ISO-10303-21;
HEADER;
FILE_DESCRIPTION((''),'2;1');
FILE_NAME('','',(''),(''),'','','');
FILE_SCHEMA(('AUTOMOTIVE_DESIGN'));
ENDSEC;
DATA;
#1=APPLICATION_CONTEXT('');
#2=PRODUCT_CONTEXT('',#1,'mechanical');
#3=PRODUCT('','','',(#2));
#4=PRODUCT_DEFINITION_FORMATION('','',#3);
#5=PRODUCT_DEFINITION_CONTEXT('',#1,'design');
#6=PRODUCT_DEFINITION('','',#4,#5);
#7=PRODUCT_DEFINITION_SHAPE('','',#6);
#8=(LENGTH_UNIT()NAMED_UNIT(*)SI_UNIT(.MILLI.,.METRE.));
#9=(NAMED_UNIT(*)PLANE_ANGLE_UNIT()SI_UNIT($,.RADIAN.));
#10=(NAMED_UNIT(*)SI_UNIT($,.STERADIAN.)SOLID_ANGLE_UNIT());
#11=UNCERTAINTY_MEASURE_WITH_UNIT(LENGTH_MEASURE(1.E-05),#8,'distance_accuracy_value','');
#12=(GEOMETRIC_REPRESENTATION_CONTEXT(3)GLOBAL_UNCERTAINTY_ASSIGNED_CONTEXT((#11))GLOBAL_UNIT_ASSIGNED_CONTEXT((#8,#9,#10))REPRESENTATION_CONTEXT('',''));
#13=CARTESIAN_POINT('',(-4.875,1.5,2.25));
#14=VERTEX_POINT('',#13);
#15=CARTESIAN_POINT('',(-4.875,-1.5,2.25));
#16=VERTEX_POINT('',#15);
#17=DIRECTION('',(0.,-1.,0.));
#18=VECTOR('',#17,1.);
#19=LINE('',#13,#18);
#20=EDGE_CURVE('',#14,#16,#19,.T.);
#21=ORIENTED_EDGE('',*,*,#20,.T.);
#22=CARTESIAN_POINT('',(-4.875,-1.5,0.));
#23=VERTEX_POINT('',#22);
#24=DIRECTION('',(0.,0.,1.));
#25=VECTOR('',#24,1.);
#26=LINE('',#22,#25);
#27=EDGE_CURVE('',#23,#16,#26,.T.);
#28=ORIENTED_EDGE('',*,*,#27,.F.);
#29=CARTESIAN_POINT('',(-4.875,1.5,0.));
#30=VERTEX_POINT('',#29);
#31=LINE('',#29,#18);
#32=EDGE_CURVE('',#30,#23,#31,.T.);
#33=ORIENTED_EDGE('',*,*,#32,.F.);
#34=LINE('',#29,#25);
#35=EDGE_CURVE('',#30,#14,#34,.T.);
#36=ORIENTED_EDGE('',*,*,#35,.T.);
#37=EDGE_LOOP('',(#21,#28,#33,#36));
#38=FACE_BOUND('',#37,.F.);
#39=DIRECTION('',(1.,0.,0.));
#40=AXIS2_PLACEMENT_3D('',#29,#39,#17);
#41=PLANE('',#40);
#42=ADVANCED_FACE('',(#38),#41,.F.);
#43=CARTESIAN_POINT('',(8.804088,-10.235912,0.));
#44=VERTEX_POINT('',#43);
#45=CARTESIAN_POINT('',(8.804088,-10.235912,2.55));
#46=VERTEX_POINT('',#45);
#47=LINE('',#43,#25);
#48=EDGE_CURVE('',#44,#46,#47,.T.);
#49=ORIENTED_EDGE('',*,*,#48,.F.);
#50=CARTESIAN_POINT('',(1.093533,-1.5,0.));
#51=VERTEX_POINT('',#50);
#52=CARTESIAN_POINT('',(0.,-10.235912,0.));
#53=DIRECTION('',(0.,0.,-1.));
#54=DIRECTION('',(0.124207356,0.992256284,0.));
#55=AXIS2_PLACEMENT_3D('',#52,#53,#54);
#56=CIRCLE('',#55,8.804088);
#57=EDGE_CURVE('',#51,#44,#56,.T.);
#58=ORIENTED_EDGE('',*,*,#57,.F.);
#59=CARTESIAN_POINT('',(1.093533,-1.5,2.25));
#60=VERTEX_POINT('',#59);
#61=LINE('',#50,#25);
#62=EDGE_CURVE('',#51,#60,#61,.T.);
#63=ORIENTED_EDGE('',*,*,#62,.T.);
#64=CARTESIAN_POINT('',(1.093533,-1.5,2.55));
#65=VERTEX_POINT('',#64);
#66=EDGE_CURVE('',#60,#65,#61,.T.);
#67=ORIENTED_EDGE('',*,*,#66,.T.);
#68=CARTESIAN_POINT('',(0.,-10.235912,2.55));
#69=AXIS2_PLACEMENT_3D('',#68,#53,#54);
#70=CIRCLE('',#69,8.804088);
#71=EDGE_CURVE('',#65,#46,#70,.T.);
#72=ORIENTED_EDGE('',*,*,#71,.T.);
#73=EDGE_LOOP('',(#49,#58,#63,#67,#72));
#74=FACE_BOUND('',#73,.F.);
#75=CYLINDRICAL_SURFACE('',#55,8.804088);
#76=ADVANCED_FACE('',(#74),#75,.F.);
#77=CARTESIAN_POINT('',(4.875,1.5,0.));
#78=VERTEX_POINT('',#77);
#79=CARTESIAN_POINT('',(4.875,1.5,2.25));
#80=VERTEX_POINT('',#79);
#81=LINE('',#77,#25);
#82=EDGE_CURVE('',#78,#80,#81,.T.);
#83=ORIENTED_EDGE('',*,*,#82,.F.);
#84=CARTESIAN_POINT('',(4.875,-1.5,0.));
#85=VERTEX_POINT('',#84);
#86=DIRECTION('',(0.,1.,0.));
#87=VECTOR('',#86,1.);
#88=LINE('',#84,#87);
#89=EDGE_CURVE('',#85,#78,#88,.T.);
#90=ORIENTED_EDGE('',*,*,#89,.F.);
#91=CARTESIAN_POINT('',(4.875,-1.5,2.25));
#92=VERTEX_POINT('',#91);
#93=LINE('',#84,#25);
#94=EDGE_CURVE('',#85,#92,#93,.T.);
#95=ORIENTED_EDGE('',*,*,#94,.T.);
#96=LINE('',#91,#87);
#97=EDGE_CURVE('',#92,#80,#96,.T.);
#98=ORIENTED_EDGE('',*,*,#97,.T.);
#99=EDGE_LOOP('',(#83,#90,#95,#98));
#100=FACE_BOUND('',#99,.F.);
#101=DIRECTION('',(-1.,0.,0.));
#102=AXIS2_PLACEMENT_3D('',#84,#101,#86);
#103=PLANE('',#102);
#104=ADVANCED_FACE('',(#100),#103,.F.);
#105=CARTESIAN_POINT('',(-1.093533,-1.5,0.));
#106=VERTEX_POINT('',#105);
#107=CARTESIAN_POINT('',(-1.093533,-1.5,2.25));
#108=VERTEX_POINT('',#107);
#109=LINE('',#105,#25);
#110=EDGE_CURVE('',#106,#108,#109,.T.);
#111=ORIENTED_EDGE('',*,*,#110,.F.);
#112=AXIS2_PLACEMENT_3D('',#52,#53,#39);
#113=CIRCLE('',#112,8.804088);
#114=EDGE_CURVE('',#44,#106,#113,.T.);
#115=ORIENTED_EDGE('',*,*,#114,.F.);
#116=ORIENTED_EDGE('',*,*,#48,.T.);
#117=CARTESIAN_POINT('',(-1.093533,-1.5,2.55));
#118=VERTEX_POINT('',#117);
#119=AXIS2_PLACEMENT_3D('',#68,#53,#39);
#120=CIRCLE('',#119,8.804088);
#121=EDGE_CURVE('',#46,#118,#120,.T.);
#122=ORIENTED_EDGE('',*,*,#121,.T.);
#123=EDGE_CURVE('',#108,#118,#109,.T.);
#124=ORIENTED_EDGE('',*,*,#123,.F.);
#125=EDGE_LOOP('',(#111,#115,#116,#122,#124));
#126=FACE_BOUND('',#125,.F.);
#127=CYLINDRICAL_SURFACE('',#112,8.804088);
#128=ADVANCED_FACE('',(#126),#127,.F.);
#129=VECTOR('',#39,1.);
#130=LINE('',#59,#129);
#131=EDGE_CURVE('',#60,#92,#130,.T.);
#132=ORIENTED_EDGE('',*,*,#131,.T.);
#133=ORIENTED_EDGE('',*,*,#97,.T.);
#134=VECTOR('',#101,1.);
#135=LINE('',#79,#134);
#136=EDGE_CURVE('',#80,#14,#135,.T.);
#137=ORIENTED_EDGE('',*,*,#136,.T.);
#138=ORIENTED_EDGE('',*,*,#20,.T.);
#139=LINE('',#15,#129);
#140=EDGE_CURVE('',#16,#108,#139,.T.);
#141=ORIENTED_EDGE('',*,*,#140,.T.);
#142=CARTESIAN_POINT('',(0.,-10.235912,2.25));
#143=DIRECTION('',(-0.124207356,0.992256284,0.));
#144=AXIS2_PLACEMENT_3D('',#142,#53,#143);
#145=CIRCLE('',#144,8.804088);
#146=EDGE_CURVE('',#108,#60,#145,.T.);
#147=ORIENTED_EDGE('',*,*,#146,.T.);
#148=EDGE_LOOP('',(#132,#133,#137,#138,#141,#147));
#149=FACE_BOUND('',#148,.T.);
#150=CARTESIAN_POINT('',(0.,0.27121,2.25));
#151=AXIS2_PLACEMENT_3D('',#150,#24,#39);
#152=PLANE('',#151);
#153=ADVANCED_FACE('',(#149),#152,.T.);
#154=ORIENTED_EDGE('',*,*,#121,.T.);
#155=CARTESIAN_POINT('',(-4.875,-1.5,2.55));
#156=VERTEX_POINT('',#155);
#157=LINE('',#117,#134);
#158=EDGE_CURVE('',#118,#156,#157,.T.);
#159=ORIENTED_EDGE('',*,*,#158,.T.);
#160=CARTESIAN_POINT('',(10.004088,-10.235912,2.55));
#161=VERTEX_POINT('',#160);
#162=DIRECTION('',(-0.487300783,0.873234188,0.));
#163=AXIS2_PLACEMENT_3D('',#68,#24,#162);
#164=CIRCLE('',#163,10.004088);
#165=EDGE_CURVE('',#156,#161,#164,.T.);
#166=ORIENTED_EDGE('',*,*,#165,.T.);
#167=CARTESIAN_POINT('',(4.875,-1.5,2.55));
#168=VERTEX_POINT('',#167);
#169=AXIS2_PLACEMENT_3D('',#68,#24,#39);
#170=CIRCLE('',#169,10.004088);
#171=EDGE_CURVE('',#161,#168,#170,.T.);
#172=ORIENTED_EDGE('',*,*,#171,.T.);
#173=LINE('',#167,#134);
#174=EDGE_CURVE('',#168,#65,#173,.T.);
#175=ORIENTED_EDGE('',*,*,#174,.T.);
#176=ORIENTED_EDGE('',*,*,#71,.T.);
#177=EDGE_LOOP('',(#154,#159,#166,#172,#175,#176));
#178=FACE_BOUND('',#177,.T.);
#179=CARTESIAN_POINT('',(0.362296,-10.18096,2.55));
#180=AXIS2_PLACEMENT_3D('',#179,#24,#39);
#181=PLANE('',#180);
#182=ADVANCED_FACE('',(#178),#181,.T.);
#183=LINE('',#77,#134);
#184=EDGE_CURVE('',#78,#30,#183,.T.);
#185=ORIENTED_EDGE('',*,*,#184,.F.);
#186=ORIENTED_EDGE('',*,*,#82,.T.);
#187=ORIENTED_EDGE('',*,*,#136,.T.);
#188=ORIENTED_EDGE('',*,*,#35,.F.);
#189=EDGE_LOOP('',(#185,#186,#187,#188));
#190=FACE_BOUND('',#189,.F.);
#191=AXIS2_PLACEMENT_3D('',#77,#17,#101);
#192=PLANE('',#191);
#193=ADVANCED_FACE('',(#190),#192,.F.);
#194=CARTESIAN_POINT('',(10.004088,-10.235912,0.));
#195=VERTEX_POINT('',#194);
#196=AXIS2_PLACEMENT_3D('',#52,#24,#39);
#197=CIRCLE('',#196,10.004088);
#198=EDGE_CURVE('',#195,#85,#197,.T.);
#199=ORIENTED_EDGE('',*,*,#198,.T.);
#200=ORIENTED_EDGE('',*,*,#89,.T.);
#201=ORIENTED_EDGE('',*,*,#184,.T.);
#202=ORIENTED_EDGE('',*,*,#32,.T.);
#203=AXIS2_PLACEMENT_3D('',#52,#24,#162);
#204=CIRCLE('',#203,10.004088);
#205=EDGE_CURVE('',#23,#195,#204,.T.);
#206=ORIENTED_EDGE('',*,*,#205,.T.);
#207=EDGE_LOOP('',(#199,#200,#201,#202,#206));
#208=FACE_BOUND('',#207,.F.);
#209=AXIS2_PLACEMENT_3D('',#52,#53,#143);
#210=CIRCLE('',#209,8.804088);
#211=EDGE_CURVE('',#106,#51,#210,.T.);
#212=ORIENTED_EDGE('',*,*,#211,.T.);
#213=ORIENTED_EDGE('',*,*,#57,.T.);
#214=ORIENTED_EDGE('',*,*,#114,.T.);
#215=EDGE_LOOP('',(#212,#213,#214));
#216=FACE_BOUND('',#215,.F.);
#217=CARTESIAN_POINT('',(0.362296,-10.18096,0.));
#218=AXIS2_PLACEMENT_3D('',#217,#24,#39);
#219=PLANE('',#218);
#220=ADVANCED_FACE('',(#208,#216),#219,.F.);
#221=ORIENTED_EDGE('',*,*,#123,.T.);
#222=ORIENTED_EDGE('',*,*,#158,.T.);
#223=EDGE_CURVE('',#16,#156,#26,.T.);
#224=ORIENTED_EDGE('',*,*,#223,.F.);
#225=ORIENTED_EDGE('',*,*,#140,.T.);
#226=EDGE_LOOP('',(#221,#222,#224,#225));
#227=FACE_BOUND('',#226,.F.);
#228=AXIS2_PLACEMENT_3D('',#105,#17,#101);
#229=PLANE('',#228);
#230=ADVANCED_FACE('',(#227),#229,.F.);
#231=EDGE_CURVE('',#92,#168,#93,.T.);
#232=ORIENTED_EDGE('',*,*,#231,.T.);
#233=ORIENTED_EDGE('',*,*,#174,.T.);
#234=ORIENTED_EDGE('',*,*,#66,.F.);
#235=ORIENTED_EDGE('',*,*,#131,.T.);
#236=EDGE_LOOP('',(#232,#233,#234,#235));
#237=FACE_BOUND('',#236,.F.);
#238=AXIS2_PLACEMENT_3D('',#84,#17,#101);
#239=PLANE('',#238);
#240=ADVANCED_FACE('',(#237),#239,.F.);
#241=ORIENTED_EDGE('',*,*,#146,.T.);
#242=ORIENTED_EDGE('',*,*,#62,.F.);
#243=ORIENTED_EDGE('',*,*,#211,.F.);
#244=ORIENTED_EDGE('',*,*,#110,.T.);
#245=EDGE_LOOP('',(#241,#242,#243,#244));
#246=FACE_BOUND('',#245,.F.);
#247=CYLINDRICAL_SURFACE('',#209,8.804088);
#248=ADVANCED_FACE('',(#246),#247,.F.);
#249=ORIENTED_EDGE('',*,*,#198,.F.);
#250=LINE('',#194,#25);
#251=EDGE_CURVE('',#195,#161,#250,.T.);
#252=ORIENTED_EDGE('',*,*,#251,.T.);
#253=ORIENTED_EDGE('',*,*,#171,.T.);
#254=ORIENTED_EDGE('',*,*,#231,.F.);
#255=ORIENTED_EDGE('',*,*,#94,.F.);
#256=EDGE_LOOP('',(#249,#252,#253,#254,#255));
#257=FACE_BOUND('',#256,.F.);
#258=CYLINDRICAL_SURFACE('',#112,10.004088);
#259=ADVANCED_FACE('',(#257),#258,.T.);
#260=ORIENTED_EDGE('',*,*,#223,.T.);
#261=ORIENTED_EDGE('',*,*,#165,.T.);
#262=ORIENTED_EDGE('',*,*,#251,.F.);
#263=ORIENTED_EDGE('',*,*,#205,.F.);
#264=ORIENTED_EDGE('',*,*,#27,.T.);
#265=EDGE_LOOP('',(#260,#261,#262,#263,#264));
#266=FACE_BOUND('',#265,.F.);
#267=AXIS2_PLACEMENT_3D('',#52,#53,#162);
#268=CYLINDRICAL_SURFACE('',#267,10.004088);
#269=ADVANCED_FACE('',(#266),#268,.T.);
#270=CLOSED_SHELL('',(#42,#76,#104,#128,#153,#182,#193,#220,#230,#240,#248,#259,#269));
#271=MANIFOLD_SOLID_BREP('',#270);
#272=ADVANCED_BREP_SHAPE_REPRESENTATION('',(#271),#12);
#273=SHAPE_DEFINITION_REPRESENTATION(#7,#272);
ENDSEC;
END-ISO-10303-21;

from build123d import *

# Parameters (mm, degrees)
F1_DEPTH = 2.25
F2_DEPTH = 2.55


with BuildPart() as f1:
    # F0 (on Top) → F1 (new body)
    with BuildSketch(Plane.XY):
        with BuildLine():
            ThreePointArc((-4.875, -1.5), (0, -0.2318236393), (4.875, -1.5))
            Line((4.875, -1.5), (4.875, 1.5))
            Line((4.875, 1.5), (-4.875, 1.5))
            Line((-4.875, 1.5), (-4.875, -1.5))
        make_face()
        with BuildLine():
            Line((1.0935325176, -1.5), (4.875, -1.5))
            ThreePointArc((4.875, -1.5), (0, -0.2318236393), (-4.875, -1.5))
            Line((-4.875, -1.5), (-1.0935325176, -1.5))
            ThreePointArc((-1.0935325176, -1.5), (0, -1.4318236393), (1.0935325176, -1.5))
        make_face()
    extrude(amount=F1_DEPTH)

    # F0 (on Top) → F2 (join)
    with BuildSketch(Plane.XY):
        with BuildLine():
            ThreePointArc((10.0040881804, -10.2359118196), (8.6270420829, -5.1707439823), (4.875, -1.5))
            Line((4.875, -1.5), (1.0935325176, -1.5))
            ThreePointArc((1.0935325176, -1.5), (6.6007395571, -4.4099178283), (8.8040881804, -10.2359118196))
            ThreePointArc((8.8040881804, -10.2359118196), (-5.8259939913, -16.8366513767), (-1.0935325176, -1.5))
            Line((-1.0935325176, -1.5), (-4.875, -1.5))
            ThreePointArc((-4.875, -1.5), (-5.0651678374, -18.8629539025), (10.0040881804, -10.2359118196))
        make_face()
    extrude(amount=F2_DEPTH)


solid = f1.part
